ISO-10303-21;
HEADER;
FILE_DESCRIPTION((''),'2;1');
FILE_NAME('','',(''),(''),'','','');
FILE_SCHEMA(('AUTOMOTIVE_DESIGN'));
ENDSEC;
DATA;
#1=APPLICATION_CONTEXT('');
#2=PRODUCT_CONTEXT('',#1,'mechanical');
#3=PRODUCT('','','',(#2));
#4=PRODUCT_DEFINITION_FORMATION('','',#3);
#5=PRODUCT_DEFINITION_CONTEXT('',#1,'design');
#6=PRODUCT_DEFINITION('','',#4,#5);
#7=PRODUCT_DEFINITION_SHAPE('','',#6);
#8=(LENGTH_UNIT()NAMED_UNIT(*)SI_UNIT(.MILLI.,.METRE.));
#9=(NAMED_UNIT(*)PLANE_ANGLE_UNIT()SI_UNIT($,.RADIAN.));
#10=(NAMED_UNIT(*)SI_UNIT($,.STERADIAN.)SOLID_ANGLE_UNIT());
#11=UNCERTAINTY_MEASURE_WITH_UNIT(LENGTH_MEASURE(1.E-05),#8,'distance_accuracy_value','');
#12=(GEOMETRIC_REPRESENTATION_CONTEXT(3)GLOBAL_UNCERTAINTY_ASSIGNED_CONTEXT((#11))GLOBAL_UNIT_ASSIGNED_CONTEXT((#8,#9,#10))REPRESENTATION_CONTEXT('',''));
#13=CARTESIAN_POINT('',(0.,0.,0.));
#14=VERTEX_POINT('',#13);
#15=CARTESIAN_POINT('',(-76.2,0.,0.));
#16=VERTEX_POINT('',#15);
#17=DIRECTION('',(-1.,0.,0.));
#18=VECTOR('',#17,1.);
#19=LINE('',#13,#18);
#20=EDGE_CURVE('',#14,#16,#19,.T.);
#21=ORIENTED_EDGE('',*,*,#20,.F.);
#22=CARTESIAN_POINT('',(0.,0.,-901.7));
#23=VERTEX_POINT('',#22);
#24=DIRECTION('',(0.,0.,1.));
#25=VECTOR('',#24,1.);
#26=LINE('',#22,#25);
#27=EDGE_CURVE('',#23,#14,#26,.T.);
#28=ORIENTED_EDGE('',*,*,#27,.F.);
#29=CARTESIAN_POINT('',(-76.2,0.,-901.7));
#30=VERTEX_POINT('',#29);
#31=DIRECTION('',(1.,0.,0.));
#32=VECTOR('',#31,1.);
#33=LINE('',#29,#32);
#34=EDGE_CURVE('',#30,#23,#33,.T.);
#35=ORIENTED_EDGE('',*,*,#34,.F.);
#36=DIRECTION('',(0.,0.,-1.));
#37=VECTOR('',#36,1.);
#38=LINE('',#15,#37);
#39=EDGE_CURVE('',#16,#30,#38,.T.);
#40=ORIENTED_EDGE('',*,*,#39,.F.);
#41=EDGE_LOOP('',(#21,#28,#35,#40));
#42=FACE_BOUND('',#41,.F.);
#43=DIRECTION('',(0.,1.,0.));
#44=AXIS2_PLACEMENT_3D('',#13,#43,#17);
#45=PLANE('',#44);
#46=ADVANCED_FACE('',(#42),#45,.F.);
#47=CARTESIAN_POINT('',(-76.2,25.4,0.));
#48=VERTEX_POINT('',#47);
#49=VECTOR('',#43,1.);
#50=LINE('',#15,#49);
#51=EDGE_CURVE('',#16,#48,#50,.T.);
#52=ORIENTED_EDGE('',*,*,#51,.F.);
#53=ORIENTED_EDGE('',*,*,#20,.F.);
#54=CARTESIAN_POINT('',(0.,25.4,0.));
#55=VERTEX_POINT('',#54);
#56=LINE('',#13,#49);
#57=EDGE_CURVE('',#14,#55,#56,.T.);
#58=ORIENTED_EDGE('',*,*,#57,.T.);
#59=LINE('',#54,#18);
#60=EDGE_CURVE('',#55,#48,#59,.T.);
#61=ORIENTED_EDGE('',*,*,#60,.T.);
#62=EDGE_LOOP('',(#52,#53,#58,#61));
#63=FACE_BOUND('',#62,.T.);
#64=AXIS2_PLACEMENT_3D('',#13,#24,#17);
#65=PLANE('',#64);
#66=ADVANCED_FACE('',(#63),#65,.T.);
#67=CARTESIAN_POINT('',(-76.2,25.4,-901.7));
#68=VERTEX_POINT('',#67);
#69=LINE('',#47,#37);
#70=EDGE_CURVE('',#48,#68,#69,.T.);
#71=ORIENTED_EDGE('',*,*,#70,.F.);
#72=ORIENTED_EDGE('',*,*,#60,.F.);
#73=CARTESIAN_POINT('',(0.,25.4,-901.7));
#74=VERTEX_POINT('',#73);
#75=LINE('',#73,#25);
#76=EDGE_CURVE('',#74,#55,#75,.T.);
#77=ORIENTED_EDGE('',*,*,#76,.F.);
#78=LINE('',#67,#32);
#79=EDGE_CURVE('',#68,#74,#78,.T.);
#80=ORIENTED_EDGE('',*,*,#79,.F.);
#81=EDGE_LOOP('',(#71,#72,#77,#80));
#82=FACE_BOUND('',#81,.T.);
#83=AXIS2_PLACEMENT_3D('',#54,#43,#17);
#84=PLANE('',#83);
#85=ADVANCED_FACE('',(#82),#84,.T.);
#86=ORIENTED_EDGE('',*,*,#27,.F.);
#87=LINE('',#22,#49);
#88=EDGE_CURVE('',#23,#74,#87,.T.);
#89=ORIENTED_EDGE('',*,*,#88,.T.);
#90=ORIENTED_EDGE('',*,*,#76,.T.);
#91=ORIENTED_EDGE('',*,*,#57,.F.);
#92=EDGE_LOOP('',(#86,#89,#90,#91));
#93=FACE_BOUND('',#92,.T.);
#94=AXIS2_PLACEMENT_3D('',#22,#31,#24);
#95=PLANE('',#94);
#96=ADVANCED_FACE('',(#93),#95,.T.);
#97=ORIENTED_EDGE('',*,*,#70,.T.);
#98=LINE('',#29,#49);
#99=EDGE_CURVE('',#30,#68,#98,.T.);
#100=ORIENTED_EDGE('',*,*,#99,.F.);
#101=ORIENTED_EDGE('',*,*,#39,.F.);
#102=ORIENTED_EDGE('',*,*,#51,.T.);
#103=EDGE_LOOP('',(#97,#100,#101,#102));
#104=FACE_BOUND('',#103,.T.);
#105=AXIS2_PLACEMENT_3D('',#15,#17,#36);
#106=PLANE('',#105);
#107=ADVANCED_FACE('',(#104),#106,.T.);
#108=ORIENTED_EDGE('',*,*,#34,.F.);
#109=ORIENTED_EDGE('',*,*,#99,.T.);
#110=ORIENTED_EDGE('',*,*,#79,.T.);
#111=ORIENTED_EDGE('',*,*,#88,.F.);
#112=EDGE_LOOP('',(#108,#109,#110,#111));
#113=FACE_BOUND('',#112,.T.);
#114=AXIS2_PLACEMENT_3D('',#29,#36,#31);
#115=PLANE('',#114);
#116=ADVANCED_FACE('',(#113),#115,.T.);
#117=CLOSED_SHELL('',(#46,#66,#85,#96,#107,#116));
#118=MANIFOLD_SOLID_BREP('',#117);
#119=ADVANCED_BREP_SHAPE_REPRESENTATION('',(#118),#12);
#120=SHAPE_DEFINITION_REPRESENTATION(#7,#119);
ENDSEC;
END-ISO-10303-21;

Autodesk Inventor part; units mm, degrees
ref_plane "YZ Plane" through (0, 0, 0) normal (1, 0, 0) x (0, 1, 0)
ref_plane "XZ Plane" through (0, 0, 0) normal (0, 1, 0) x (-1, 0, 0)
ref_plane "XY Plane" through (0, 0, 0) normal (0, 0, 1) x (1, 0, 0)
sketch "Sketch1" plane through (0, 0, 0) normal (0, 1, 0) x (-1, 0, 0)
  line L0 (0, 0) -> (76.2, 0)
  line L1 (76.2, 0) -> (76.2, -901.7)
  line L2 (76.2, -901.7) -> (0, -901.7)
  line L3 (0, -901.7) -> (0, 0)
  dimension "d0" = 76.2
  dimension "d1" = 901.7
extrude "Extrusion1" add sketch "Sketch1" along normal blind 25.4
properties part number "back beam" material "Wood (Oak)"
